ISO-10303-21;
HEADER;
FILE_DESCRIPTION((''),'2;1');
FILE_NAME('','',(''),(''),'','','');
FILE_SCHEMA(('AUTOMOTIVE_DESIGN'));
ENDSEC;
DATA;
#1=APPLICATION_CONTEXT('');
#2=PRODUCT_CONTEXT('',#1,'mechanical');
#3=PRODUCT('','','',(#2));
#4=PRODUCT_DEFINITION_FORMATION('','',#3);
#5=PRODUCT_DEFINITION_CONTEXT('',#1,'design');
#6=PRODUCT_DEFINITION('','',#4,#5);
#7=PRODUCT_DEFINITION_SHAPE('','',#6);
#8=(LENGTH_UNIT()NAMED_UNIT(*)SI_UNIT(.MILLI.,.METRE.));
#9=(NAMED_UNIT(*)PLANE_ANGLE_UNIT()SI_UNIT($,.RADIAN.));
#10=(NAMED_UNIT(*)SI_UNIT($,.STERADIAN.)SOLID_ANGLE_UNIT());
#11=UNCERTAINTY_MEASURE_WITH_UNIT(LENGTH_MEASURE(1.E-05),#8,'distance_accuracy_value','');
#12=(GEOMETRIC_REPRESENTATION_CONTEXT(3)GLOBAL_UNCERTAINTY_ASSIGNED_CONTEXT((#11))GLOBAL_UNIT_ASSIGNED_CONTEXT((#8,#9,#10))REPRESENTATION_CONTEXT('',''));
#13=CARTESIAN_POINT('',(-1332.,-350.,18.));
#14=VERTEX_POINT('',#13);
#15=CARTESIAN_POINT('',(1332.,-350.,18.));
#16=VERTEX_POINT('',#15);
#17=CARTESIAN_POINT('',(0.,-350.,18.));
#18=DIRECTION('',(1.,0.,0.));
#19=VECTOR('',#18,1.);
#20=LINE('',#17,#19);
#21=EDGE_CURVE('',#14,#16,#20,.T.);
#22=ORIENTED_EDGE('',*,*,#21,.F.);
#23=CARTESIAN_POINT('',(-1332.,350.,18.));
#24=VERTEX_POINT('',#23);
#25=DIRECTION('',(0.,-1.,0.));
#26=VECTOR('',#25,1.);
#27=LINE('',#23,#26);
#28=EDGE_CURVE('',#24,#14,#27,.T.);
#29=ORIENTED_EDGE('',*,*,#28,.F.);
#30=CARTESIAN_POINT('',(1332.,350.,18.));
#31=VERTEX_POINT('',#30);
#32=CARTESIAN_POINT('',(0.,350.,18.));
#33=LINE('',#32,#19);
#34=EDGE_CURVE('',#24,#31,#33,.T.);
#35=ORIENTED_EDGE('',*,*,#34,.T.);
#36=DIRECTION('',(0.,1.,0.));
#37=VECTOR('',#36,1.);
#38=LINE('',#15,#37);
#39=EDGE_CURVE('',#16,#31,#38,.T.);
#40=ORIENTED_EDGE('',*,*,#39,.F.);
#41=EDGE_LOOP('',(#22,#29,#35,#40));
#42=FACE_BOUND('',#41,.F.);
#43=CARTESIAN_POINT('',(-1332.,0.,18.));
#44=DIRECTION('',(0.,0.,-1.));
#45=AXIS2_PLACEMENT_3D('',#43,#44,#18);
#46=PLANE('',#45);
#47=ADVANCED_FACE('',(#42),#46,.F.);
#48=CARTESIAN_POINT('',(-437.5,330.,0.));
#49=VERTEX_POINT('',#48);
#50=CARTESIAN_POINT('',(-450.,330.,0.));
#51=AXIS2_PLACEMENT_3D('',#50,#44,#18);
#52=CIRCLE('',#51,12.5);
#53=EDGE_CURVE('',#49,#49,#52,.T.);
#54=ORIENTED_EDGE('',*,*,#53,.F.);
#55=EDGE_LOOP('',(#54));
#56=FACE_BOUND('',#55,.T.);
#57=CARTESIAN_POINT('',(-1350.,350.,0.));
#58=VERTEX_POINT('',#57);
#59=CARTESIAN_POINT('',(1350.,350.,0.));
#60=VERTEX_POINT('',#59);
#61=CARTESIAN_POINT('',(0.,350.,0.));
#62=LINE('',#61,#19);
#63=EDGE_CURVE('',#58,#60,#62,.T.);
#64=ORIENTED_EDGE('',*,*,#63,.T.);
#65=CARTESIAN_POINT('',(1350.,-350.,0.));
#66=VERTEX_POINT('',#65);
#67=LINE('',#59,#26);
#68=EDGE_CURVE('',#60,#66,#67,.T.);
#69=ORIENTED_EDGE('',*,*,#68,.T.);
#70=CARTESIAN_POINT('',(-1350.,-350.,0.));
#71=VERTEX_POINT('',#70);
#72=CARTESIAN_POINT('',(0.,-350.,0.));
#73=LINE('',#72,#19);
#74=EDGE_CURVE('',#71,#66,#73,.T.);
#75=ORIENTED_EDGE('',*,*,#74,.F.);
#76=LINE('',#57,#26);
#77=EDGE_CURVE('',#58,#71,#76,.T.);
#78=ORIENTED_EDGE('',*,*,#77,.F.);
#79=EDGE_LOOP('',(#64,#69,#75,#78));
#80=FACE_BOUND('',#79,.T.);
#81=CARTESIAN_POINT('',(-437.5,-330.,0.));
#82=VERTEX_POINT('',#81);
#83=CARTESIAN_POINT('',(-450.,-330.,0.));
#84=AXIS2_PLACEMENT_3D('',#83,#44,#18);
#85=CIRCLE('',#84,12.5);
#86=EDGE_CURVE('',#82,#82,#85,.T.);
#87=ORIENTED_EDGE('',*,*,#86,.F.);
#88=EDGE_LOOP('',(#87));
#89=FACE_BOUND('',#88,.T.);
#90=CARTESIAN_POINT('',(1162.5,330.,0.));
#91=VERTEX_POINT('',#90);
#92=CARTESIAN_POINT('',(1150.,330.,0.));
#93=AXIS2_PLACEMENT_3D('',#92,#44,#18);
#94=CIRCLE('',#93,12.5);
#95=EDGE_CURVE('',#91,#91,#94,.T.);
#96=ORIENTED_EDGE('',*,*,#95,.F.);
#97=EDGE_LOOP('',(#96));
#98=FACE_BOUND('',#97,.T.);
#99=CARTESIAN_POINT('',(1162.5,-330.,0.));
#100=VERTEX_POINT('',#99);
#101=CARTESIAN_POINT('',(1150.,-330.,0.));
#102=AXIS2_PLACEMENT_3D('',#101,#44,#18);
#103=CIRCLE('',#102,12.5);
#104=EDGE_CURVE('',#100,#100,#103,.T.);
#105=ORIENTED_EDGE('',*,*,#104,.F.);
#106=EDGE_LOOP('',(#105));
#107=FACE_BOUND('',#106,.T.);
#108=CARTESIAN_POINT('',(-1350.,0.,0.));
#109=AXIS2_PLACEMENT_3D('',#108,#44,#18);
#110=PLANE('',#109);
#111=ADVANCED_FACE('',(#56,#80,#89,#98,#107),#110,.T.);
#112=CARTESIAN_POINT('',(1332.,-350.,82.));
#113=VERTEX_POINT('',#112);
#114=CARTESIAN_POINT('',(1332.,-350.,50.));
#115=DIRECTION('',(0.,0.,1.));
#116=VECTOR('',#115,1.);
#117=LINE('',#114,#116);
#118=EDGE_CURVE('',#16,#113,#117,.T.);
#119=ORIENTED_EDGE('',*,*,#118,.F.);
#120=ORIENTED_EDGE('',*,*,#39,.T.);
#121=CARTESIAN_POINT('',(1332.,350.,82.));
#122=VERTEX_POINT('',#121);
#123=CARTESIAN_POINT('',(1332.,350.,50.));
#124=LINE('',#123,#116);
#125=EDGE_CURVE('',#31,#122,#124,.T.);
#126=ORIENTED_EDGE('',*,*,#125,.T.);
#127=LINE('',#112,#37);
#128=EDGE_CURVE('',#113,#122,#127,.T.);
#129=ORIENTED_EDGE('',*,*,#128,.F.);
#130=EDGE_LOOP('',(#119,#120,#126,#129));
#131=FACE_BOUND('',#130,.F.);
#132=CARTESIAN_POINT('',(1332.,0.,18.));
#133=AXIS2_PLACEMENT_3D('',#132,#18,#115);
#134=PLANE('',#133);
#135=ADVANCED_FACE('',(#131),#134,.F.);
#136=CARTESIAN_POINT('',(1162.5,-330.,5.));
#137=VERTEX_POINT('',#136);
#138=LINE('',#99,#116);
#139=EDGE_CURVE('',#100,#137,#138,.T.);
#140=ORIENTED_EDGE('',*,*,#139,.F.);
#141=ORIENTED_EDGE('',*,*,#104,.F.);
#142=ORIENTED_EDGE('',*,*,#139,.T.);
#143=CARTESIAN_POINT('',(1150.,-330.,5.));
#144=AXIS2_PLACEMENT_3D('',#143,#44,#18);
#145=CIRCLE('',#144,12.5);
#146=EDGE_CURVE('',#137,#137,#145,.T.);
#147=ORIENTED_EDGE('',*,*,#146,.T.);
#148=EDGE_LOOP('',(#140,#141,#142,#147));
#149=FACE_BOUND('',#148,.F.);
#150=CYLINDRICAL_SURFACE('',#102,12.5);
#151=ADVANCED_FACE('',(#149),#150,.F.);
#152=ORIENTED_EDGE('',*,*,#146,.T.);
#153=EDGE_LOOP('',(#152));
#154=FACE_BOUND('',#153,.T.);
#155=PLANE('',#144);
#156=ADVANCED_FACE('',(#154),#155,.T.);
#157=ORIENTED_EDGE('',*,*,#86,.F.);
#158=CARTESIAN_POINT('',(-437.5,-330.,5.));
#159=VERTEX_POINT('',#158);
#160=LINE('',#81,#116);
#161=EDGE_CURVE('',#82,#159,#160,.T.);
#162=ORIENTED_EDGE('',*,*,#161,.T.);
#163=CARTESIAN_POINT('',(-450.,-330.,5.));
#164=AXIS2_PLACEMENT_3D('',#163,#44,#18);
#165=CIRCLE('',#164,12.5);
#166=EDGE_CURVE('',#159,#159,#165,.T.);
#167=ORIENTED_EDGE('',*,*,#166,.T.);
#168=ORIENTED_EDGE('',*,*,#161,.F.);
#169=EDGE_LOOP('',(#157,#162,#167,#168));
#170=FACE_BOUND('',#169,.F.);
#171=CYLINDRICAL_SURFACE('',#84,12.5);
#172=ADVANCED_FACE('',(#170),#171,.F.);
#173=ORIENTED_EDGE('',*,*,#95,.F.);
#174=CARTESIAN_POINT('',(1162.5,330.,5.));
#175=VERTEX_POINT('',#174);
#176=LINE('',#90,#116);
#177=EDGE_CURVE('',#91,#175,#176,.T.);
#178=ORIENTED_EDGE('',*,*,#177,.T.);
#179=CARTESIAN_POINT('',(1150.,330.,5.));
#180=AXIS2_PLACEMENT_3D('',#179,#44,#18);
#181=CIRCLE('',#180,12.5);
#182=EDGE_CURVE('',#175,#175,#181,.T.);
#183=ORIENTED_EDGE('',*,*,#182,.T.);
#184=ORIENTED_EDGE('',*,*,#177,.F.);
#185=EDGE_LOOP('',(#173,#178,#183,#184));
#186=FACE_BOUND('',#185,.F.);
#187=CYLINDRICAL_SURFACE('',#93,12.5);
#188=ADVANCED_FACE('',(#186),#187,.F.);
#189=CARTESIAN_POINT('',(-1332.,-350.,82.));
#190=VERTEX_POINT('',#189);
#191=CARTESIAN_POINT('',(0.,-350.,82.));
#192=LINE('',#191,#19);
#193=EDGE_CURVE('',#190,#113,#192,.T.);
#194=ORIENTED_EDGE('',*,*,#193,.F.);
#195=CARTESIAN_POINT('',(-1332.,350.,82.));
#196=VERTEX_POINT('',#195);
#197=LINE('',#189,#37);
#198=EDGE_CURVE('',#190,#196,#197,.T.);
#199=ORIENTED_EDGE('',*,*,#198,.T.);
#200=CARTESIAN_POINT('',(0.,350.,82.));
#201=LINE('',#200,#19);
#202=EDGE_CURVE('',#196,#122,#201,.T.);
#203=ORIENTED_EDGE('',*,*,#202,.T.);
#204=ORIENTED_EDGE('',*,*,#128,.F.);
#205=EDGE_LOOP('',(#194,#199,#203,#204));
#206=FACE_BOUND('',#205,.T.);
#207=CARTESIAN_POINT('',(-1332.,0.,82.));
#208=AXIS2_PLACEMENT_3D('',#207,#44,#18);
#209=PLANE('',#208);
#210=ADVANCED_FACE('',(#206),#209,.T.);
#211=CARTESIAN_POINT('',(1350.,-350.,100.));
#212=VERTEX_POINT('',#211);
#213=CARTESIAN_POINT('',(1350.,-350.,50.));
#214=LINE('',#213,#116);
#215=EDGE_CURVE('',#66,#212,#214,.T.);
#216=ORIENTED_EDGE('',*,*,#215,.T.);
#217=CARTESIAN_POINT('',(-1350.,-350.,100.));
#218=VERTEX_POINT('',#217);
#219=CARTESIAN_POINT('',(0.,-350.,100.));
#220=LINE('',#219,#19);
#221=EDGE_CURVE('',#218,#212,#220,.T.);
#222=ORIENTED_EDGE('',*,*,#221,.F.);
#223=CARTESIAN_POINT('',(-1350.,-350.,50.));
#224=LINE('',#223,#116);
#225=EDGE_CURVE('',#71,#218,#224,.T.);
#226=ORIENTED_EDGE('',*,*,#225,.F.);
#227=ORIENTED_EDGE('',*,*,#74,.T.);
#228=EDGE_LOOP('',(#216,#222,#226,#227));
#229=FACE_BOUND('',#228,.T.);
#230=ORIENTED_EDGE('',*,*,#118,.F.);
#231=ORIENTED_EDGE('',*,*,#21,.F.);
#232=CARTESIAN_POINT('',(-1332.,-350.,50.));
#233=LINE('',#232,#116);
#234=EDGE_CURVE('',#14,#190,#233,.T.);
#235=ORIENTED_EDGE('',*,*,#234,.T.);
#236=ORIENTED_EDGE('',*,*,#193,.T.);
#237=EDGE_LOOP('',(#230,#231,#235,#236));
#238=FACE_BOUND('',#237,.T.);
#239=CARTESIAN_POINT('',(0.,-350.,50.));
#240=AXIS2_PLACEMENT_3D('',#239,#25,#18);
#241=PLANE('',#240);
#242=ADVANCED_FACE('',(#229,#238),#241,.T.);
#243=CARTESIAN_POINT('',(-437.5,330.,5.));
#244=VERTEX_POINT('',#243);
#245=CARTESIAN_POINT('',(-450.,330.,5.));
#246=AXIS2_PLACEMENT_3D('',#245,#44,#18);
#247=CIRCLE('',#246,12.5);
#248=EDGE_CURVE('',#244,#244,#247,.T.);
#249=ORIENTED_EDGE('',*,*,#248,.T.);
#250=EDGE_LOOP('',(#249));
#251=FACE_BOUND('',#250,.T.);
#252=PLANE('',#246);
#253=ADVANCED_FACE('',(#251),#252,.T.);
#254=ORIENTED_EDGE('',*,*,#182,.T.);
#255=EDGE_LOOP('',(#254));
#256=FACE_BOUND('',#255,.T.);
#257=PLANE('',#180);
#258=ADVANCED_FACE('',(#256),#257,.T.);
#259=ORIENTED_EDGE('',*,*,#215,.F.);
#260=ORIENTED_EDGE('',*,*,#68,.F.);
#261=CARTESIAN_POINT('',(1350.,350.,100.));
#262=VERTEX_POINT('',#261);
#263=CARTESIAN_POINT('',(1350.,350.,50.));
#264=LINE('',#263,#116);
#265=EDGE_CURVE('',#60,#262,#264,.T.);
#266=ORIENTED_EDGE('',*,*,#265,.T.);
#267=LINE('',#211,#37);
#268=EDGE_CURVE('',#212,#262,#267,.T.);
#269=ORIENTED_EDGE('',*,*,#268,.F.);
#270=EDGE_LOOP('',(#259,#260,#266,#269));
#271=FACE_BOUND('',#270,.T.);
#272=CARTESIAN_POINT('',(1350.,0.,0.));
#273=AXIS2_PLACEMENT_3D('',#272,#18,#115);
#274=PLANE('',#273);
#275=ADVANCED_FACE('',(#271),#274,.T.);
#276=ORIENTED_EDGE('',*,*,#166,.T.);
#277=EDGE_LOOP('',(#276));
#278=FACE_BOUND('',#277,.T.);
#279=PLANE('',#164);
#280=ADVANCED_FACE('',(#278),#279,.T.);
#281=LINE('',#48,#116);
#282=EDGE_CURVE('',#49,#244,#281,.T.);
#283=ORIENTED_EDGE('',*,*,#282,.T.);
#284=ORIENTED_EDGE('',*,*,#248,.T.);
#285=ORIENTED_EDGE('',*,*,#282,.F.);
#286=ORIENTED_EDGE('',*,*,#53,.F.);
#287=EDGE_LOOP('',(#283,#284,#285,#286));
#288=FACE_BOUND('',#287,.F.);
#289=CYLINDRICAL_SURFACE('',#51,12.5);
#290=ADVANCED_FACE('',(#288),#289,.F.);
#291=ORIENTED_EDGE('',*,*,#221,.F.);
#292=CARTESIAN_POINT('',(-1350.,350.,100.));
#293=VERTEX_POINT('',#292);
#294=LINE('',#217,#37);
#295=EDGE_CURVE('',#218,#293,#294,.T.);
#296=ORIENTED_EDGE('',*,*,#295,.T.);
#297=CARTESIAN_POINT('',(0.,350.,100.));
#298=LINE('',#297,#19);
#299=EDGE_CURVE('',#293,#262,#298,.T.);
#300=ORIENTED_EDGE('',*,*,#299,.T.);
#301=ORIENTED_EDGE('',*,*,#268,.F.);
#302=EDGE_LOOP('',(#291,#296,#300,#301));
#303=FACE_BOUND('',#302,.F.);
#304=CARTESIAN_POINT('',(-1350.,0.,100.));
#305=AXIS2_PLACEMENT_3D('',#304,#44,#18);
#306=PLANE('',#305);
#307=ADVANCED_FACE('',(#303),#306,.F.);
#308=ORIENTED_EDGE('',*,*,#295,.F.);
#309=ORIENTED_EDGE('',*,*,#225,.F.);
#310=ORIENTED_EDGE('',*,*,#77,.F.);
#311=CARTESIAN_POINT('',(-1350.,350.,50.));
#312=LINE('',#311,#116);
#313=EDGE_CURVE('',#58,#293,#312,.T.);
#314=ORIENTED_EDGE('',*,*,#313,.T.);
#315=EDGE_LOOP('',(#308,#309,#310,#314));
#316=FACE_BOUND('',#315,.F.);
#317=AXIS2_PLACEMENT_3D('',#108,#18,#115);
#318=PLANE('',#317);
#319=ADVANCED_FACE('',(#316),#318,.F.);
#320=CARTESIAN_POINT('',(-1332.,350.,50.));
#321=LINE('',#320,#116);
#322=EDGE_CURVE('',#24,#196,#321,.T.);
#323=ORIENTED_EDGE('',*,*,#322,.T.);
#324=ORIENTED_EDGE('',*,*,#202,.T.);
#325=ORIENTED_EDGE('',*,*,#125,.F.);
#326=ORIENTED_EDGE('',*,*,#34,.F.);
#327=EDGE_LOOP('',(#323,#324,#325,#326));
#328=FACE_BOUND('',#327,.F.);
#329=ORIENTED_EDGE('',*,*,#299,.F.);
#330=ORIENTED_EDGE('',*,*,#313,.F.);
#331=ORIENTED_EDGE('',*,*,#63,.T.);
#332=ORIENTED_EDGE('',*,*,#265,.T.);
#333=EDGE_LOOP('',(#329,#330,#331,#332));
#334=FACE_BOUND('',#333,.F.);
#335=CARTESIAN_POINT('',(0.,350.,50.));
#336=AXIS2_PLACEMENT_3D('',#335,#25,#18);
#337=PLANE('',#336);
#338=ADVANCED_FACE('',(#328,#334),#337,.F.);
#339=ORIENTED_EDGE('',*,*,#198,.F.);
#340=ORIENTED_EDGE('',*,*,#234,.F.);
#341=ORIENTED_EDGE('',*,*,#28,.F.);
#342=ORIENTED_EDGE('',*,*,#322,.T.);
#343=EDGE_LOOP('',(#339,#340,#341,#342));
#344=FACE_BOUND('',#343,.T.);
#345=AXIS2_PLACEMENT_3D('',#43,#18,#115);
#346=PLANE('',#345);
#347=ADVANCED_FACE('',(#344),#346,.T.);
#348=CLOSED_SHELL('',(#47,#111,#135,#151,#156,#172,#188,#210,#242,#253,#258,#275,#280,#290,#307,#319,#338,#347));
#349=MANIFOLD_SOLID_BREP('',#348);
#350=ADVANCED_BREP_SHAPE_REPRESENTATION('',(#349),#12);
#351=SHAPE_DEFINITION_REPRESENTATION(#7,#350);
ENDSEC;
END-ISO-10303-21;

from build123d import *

# Parameters (mm, degrees)
F0_W     = 2700
F0_H     = 100
F0_W_2   = 2664
F0_H_2   = 64
F1_DEPTH = 350
F2_R     = 12.5
F3_DEPTH = 5


with BuildPart() as f1:
    # F0 (on Front) → F1 (new body, symmetric)
    with BuildSketch(Plane.XZ):
        with Locations((0, 50)):
            Rectangle(F0_W, F0_H)
        with Locations((0, 50)):
            Rectangle(F0_W_2, F0_H_2, mode=Mode.SUBTRACT)
    extrude(amount=F1_DEPTH, both=True)

    # F2 (on face) → F3 (cut)
    with BuildSketch(Plane(origin=(0, 0, 0), x_dir=(1, 0, 0), z_dir=(0, 0, -1))):
        with Locations((-450, 330)):
            Circle(F2_R)
        with Locations((-450, -330)):
            Circle(F2_R)
        with Locations((1150, 330)):
            Circle(F2_R)
        with Locations((1150, -330)):
            Circle(F2_R)
    extrude(amount=-F3_DEPTH, mode=Mode.SUBTRACT)


solid = f1.part
